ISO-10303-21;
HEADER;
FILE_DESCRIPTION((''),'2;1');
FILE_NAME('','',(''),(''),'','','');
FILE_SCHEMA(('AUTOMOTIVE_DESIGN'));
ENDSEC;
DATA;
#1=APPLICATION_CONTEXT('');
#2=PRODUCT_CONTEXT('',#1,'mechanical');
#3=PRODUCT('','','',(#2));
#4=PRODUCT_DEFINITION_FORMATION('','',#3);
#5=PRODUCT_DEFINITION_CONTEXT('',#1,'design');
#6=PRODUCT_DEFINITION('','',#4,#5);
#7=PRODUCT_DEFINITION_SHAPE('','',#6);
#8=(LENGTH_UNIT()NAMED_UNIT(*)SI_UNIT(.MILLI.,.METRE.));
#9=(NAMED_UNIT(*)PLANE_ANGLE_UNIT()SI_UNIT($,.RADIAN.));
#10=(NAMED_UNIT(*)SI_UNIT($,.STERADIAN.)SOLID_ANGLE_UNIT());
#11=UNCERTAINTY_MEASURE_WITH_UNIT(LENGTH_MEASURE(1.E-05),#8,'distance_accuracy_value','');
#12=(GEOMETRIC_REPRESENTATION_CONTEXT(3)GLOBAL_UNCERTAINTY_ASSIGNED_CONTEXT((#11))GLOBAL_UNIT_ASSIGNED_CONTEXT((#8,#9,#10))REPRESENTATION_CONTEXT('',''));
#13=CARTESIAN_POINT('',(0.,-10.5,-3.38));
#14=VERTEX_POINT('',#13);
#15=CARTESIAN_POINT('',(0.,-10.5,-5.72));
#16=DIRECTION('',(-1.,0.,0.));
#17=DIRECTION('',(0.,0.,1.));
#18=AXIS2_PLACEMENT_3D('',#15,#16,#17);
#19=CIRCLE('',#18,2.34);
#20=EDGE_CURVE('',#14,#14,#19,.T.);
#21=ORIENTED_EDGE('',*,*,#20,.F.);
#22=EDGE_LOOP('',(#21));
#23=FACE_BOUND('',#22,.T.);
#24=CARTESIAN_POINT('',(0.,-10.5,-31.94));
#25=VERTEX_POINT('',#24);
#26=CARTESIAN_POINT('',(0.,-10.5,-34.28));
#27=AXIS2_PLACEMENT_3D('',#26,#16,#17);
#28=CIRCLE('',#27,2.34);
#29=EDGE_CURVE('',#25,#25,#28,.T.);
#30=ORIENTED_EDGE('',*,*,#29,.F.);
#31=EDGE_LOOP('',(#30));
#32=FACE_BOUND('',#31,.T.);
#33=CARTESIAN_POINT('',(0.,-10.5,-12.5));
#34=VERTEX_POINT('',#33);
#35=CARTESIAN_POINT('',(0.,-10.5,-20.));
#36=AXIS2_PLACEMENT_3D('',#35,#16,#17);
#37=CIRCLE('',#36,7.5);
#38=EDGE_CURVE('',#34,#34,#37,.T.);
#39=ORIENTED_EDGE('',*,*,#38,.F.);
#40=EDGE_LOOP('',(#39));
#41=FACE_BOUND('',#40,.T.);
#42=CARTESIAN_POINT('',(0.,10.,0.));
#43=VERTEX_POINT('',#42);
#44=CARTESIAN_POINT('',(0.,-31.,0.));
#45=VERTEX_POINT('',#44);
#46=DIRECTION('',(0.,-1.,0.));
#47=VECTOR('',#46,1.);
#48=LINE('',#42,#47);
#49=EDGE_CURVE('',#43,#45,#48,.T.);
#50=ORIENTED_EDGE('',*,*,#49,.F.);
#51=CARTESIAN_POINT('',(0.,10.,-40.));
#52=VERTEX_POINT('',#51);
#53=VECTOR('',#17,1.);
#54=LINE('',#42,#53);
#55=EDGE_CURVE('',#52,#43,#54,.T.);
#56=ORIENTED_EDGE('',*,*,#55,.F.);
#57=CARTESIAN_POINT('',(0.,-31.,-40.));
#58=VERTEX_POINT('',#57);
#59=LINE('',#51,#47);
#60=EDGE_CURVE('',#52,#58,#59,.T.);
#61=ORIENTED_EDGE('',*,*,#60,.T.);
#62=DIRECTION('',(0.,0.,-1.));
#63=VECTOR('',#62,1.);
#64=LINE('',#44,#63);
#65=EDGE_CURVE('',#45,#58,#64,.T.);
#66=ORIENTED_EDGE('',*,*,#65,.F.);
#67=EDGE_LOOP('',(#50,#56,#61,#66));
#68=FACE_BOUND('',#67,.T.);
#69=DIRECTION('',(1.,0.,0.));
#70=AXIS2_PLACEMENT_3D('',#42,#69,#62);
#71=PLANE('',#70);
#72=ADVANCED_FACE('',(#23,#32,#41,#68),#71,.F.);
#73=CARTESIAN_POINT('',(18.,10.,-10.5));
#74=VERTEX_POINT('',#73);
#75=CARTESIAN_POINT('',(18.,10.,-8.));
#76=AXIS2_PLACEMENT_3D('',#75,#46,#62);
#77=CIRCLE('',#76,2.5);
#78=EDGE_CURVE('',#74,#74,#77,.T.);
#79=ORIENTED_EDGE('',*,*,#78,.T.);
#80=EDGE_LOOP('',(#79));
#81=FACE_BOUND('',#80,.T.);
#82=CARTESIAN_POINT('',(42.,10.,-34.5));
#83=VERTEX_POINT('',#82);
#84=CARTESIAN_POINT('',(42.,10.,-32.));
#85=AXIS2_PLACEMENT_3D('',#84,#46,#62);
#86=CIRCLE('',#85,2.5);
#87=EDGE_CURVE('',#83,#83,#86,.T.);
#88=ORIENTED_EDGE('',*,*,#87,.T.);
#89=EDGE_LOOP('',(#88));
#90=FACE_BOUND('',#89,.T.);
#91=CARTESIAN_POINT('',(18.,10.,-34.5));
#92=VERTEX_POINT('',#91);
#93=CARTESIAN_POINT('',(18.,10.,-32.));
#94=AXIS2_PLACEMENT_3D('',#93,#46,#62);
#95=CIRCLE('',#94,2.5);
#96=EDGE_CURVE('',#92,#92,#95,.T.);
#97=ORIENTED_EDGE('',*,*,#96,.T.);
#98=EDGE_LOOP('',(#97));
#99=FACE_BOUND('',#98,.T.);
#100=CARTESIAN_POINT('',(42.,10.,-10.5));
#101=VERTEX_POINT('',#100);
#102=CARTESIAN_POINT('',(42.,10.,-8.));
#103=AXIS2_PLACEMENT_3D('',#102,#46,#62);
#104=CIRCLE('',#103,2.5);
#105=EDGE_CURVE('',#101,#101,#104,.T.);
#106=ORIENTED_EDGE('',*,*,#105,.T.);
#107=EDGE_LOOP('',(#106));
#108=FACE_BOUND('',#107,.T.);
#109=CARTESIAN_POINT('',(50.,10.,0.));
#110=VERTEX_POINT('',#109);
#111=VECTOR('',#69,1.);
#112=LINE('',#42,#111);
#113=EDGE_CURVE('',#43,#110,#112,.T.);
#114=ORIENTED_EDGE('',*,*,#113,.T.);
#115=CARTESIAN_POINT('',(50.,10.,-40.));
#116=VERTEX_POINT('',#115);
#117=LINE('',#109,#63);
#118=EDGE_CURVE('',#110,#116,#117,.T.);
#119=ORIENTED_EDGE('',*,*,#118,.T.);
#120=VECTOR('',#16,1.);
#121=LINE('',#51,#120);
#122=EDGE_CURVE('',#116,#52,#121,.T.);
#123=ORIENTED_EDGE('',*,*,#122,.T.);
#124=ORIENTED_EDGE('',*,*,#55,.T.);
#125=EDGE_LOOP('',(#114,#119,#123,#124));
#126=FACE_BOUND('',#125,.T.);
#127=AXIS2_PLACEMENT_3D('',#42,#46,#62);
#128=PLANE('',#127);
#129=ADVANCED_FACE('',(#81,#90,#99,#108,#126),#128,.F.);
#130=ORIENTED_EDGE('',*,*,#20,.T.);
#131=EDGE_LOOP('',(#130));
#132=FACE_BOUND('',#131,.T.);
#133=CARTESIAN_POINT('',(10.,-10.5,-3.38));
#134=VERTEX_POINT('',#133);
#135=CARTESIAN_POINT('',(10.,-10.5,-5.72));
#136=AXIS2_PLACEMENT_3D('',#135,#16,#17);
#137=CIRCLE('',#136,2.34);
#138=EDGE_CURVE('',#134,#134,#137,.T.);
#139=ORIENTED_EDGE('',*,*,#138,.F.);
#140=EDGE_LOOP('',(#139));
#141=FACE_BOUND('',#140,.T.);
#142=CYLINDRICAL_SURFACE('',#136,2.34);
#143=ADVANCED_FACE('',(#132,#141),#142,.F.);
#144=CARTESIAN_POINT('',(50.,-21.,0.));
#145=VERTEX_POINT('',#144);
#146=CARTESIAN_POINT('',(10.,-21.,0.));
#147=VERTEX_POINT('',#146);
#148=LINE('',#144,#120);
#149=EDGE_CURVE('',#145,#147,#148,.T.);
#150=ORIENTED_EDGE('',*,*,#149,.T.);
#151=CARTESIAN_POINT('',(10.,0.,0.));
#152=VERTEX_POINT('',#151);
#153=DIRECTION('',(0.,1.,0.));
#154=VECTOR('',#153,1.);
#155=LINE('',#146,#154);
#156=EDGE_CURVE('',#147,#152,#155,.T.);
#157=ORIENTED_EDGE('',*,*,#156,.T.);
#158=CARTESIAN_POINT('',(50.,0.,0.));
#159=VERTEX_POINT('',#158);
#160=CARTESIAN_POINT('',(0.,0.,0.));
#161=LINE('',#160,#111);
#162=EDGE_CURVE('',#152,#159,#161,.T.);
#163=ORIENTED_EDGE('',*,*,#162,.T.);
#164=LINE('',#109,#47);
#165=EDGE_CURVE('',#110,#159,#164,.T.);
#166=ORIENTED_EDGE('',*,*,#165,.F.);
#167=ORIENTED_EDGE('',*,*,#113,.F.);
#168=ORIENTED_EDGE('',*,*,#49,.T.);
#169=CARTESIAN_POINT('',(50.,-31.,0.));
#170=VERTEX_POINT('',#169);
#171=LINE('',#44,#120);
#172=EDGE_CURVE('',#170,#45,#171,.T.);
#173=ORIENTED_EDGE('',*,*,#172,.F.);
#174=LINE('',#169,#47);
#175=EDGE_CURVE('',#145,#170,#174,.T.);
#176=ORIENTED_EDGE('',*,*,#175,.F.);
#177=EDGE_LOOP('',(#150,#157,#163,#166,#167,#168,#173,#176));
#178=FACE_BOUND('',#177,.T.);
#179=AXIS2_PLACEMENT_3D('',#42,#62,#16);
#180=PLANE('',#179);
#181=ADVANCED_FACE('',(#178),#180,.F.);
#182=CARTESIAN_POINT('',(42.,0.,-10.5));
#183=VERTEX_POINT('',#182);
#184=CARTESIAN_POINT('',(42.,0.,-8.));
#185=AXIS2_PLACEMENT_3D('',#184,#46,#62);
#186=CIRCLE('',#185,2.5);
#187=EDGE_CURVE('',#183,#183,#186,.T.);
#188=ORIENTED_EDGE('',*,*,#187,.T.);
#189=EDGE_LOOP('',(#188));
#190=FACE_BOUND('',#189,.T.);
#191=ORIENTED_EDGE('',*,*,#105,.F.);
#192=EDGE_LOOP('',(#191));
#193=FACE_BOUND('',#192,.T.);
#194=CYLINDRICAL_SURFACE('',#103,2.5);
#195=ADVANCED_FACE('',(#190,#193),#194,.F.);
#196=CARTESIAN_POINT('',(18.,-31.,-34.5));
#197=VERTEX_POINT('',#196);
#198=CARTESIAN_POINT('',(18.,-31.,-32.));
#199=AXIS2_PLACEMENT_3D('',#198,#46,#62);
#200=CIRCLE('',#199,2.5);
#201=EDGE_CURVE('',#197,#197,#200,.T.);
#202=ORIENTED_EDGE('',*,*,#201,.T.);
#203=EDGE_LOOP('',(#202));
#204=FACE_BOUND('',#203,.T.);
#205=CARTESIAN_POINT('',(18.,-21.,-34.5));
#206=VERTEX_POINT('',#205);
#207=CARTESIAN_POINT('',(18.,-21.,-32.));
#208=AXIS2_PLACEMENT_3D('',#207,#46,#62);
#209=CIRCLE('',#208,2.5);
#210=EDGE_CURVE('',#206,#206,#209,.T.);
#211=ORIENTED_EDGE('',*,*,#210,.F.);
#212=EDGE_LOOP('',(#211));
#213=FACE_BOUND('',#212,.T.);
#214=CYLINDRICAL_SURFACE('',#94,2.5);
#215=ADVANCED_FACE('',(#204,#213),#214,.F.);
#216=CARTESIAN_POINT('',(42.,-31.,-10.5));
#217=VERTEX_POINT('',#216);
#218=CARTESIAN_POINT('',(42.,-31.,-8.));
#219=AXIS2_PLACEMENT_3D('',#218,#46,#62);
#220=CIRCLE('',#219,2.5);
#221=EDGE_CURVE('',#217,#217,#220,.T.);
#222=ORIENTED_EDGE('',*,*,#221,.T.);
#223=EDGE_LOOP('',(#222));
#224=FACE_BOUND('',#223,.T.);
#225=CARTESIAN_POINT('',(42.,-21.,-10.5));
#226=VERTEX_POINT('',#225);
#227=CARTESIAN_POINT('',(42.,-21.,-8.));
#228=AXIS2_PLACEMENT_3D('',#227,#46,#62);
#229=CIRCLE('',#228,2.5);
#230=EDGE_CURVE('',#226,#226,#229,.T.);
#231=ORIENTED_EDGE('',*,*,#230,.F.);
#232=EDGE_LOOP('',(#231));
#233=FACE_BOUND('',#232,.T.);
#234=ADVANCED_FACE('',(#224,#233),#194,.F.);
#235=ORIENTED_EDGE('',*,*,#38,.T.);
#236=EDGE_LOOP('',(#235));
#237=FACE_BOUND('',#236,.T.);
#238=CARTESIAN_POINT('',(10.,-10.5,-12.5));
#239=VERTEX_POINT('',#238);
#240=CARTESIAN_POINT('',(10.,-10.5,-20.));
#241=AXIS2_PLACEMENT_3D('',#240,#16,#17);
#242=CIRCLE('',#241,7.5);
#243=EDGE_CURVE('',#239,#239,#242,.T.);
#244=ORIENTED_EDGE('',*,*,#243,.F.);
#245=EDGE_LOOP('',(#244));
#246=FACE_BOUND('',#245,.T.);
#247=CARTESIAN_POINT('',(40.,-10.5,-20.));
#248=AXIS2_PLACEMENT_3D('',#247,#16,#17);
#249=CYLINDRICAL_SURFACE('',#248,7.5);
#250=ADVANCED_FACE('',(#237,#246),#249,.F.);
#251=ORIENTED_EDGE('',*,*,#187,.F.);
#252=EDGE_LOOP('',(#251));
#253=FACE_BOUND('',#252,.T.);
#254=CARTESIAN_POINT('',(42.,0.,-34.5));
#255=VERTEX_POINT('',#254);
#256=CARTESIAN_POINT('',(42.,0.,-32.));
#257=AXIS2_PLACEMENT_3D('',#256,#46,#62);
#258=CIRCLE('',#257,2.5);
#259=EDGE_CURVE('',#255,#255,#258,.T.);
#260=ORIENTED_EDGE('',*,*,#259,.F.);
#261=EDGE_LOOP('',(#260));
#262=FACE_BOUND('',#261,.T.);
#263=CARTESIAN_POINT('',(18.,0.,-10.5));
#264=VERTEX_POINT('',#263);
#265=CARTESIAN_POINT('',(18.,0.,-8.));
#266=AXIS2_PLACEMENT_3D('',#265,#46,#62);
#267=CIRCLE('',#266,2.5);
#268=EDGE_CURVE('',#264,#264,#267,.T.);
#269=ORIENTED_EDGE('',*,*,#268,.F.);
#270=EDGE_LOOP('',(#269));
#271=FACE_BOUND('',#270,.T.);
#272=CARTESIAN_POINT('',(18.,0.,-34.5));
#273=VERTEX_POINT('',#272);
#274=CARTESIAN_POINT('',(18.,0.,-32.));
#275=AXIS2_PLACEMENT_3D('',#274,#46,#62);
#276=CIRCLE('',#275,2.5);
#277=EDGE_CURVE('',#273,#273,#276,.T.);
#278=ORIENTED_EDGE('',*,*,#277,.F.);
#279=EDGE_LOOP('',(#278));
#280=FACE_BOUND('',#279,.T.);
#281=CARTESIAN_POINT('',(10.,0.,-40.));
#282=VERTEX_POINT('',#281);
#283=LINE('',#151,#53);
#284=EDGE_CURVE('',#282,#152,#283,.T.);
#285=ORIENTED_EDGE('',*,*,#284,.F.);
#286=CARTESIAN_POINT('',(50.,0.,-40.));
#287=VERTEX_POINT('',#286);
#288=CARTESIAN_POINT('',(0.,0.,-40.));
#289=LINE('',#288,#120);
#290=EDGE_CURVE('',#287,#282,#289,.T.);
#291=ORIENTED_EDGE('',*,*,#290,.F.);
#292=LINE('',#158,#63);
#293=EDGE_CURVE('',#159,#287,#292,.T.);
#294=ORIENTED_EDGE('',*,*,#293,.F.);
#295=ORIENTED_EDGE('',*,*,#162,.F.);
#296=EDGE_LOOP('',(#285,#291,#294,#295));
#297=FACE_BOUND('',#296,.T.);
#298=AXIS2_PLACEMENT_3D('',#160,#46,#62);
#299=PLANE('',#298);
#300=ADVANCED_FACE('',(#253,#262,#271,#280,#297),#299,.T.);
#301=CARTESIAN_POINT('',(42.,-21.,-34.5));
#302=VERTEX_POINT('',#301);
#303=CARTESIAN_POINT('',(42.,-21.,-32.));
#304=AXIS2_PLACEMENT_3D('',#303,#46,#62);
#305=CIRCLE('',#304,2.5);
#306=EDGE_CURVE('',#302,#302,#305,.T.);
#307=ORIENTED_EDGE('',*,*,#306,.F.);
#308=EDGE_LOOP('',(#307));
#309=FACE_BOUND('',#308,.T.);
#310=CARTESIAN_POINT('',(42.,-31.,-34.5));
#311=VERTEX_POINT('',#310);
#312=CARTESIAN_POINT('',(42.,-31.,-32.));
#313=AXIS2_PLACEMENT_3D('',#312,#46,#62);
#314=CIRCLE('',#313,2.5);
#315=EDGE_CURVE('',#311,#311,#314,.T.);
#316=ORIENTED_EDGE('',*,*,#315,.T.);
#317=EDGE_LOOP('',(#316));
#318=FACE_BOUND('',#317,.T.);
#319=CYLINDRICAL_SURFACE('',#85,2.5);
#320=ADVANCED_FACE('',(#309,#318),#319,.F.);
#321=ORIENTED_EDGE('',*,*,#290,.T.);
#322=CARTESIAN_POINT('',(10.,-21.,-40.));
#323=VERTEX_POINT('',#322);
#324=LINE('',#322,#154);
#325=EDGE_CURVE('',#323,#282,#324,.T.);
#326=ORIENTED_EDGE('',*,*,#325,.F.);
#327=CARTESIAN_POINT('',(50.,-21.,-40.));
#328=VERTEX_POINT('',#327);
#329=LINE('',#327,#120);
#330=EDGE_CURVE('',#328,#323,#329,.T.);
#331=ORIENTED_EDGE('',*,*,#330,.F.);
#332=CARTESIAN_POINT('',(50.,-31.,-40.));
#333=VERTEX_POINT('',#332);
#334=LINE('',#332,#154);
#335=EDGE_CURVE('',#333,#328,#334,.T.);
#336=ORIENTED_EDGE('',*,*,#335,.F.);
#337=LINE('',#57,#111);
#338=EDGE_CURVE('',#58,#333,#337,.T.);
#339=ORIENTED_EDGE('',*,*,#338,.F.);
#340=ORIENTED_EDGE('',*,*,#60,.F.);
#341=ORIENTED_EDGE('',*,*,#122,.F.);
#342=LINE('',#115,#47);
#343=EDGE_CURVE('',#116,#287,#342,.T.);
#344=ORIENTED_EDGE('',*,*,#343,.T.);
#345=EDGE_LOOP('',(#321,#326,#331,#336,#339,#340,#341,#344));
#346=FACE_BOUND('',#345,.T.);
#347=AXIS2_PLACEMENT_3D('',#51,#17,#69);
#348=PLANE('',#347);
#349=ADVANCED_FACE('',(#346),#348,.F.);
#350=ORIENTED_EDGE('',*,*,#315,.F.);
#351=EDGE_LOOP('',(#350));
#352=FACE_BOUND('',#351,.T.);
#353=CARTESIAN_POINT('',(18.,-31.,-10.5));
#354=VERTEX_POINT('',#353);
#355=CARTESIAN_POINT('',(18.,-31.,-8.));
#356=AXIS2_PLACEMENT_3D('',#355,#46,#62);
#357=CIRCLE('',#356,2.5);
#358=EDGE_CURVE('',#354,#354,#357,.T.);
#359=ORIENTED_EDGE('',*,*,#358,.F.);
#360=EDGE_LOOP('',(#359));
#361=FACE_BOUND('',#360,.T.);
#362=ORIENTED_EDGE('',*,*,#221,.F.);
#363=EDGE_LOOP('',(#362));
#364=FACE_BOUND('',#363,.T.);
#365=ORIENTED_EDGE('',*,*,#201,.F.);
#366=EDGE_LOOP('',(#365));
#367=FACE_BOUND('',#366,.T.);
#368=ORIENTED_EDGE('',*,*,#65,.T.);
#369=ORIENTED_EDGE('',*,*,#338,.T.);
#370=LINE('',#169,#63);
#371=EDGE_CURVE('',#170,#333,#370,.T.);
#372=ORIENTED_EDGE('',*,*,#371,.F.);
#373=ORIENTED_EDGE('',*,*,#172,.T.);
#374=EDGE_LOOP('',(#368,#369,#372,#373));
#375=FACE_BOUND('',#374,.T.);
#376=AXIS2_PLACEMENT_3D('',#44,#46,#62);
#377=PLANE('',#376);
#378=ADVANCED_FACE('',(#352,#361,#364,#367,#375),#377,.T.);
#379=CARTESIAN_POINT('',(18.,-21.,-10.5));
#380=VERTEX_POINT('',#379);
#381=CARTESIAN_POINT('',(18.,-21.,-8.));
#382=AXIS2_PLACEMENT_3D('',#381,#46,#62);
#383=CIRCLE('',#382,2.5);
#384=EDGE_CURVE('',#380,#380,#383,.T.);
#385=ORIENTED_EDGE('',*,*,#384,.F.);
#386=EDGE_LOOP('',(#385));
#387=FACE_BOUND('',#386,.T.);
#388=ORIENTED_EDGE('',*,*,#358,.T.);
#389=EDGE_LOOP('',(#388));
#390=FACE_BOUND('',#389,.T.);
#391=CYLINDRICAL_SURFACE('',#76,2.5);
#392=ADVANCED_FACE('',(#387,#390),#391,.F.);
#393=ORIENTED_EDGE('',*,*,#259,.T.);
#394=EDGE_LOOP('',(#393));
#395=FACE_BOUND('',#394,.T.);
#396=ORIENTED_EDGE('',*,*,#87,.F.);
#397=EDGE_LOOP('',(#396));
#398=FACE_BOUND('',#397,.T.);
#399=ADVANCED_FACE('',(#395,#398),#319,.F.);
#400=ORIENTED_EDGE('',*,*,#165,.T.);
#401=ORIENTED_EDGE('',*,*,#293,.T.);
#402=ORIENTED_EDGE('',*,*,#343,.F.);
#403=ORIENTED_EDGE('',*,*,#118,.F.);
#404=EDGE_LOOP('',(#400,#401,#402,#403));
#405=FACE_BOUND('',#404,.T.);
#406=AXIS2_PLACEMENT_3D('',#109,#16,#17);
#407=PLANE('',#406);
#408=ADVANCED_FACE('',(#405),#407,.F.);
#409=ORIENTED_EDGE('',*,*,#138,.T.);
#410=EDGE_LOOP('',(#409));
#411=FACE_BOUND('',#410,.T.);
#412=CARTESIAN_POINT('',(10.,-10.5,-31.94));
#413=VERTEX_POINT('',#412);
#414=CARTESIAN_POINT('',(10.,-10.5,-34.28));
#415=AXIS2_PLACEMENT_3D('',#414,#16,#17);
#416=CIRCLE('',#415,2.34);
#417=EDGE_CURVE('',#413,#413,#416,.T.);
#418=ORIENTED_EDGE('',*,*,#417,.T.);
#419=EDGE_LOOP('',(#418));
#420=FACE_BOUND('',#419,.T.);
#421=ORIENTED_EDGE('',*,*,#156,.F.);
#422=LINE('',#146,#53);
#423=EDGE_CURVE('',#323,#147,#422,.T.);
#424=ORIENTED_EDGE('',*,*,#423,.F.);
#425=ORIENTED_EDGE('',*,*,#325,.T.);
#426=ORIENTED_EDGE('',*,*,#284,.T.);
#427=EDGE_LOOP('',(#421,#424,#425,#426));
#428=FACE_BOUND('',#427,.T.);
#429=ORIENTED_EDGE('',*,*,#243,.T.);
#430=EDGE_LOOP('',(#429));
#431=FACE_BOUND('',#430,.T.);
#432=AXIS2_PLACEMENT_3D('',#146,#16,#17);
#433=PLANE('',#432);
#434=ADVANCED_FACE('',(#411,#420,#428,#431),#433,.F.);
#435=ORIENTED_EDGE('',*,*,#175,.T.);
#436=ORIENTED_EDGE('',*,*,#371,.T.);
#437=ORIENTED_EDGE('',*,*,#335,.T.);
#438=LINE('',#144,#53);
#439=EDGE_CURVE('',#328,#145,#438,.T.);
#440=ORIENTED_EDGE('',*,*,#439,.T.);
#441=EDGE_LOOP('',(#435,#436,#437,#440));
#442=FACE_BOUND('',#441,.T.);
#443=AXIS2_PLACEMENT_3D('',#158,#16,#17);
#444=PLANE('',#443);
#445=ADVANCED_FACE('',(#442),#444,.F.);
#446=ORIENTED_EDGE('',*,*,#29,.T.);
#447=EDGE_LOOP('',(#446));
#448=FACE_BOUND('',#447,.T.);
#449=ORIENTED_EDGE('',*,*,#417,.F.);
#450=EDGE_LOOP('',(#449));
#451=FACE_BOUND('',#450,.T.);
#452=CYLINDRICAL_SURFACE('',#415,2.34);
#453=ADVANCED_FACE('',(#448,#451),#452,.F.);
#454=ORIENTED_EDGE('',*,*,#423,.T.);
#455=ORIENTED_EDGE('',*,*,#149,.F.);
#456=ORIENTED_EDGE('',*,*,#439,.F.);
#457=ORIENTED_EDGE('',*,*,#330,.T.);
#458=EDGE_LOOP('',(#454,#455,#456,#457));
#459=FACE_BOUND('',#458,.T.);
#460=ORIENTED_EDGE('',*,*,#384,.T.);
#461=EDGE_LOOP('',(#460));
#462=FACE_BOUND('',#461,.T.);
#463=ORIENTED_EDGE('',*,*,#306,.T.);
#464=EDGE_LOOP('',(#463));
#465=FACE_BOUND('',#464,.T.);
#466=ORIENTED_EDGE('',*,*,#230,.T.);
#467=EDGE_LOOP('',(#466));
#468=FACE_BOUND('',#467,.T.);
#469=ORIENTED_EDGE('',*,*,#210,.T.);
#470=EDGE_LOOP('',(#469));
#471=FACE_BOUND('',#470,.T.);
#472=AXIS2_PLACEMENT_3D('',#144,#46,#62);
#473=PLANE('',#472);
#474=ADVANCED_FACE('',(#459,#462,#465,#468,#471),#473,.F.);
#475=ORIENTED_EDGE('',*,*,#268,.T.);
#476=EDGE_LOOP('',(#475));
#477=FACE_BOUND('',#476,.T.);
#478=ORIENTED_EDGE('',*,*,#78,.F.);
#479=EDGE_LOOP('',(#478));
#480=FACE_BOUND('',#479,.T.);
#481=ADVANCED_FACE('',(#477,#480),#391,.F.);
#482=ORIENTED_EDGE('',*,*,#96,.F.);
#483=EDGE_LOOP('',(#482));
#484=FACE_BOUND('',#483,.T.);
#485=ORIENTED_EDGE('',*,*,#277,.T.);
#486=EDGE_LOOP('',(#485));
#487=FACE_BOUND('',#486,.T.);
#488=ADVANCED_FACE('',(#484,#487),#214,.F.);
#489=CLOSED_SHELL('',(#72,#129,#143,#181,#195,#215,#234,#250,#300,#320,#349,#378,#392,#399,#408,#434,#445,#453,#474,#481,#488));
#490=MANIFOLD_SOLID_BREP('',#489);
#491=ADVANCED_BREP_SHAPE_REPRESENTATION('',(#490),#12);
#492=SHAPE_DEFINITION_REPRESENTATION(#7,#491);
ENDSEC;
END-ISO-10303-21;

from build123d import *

# Parameters (mm, degrees)
SKETCH1_W           = 50
SKETCH1_H           = 40
BOSS_EXTRUDE1_DEPTH = 10
SKETCH2_W           = 10
SKETCH2_H           = 40
BOSS_EXTRUDE2_DEPTH = 21
SKETCH4_W           = 10
SKETCH4_H           = 40
BOSS_EXTRUDE3_DEPTH = 10
SKETCH5_W           = 40
SKETCH5_H           = 10
BOSS_EXTRUDE4_DEPTH = 40
SKETCH6_R           = 7.5
SKETCH6_R_2         = 2.5
CUT_EXTRUDE1_DEPTH  = 40
SKETCH7_R           = 2.5
CUT_EXTRUDE2_DEPTH  = 77.032887621
SKETCH8_R           = 2.5
SKETCH8_R_2         = 2.34
BOSS_EXTRUDE5_DEPTH = 10


with BuildPart() as part:
    # Sketch1 → Boss-Extrude1 (new body)
    with BuildSketch(Plane(origin=(0, 0, 0), x_dir=(1, 0, 0), z_dir=(0, 1, 0))):
        with Locations((25, 20)):
            Rectangle(SKETCH1_W, SKETCH1_H)
    extrude(amount=BOSS_EXTRUDE1_DEPTH)

    # Sketch2 → Boss-Extrude2 (add)
    with BuildSketch(Plane.XZ):
        with Locations((5, -20)):
            Rectangle(SKETCH2_W, SKETCH2_H)
    extrude(amount=BOSS_EXTRUDE2_DEPTH)

    # Sketch4 → Boss-Extrude3 (add)
    with BuildSketch(Plane.XZ.offset(21)):
        with Locations((5, -20)):
            Rectangle(SKETCH4_W, SKETCH4_H)
    extrude(amount=BOSS_EXTRUDE3_DEPTH)

    # Sketch5 → Boss-Extrude4 (add)
    with BuildSketch(Plane(origin=(10, 0, 0), x_dir=(0, 0, -1), z_dir=(1, 0, 0))):
        with Locations((20, -26)):
            Rectangle(SKETCH5_W, SKETCH5_H)
    extrude(amount=BOSS_EXTRUDE4_DEPTH)

    # Sketch6 → Cut-Extrude1 (cut)
    with BuildSketch(Plane.ZY):
        with Locations((-20, -10.5)):
            Circle(SKETCH6_R)
        with Locations((-34.28, -10.5)):
            Circle(SKETCH6_R_2)
        with Locations((-5.72, -10.5)):
            Circle(SKETCH6_R_2)
    extrude(amount=-CUT_EXTRUDE1_DEPTH, mode=Mode.SUBTRACT)

    # Sketch7 → Cut-Extrude2 (cut, through all)
    with BuildSketch(Plane.XZ.offset(31)):
        with Locations(Location((18, -8, 0), (0, 0, 270))):
            Circle(SKETCH7_R)
        with Locations(Location((42, -8, 0), (0, 0, 270))):
            Circle(SKETCH7_R)
        with Locations(Location((18, -32, 0), (0, 0, 270))):
            Circle(SKETCH7_R)
        with Locations(Location((42, -32, 0), (0, 0, 270))):
            Circle(SKETCH7_R)
    extrude(amount=-CUT_EXTRUDE2_DEPTH, mode=Mode.SUBTRACT)

    # Sketch8 → Boss-Extrude5 (add)
    # profile 1 of 2: a face of its own
    with BuildSketch(Plane.ZY):
        with Locations((-34.28, -10.5)):
            Circle(SKETCH8_R)
        with Locations((-34.28, -10.5)):
            Circle(SKETCH8_R_2, mode=Mode.SUBTRACT)
    # profile 2 of 2: a face of its own
    with BuildSketch(Plane.ZY):
        with Locations((-5.72, -10.5)):
            Circle(SKETCH8_R)
        with Locations((-5.72, -10.5)):
            Circle(SKETCH8_R_2, mode=Mode.SUBTRACT)
    extrude(amount=-BOSS_EXTRUDE5_DEPTH)


solid = part.part
